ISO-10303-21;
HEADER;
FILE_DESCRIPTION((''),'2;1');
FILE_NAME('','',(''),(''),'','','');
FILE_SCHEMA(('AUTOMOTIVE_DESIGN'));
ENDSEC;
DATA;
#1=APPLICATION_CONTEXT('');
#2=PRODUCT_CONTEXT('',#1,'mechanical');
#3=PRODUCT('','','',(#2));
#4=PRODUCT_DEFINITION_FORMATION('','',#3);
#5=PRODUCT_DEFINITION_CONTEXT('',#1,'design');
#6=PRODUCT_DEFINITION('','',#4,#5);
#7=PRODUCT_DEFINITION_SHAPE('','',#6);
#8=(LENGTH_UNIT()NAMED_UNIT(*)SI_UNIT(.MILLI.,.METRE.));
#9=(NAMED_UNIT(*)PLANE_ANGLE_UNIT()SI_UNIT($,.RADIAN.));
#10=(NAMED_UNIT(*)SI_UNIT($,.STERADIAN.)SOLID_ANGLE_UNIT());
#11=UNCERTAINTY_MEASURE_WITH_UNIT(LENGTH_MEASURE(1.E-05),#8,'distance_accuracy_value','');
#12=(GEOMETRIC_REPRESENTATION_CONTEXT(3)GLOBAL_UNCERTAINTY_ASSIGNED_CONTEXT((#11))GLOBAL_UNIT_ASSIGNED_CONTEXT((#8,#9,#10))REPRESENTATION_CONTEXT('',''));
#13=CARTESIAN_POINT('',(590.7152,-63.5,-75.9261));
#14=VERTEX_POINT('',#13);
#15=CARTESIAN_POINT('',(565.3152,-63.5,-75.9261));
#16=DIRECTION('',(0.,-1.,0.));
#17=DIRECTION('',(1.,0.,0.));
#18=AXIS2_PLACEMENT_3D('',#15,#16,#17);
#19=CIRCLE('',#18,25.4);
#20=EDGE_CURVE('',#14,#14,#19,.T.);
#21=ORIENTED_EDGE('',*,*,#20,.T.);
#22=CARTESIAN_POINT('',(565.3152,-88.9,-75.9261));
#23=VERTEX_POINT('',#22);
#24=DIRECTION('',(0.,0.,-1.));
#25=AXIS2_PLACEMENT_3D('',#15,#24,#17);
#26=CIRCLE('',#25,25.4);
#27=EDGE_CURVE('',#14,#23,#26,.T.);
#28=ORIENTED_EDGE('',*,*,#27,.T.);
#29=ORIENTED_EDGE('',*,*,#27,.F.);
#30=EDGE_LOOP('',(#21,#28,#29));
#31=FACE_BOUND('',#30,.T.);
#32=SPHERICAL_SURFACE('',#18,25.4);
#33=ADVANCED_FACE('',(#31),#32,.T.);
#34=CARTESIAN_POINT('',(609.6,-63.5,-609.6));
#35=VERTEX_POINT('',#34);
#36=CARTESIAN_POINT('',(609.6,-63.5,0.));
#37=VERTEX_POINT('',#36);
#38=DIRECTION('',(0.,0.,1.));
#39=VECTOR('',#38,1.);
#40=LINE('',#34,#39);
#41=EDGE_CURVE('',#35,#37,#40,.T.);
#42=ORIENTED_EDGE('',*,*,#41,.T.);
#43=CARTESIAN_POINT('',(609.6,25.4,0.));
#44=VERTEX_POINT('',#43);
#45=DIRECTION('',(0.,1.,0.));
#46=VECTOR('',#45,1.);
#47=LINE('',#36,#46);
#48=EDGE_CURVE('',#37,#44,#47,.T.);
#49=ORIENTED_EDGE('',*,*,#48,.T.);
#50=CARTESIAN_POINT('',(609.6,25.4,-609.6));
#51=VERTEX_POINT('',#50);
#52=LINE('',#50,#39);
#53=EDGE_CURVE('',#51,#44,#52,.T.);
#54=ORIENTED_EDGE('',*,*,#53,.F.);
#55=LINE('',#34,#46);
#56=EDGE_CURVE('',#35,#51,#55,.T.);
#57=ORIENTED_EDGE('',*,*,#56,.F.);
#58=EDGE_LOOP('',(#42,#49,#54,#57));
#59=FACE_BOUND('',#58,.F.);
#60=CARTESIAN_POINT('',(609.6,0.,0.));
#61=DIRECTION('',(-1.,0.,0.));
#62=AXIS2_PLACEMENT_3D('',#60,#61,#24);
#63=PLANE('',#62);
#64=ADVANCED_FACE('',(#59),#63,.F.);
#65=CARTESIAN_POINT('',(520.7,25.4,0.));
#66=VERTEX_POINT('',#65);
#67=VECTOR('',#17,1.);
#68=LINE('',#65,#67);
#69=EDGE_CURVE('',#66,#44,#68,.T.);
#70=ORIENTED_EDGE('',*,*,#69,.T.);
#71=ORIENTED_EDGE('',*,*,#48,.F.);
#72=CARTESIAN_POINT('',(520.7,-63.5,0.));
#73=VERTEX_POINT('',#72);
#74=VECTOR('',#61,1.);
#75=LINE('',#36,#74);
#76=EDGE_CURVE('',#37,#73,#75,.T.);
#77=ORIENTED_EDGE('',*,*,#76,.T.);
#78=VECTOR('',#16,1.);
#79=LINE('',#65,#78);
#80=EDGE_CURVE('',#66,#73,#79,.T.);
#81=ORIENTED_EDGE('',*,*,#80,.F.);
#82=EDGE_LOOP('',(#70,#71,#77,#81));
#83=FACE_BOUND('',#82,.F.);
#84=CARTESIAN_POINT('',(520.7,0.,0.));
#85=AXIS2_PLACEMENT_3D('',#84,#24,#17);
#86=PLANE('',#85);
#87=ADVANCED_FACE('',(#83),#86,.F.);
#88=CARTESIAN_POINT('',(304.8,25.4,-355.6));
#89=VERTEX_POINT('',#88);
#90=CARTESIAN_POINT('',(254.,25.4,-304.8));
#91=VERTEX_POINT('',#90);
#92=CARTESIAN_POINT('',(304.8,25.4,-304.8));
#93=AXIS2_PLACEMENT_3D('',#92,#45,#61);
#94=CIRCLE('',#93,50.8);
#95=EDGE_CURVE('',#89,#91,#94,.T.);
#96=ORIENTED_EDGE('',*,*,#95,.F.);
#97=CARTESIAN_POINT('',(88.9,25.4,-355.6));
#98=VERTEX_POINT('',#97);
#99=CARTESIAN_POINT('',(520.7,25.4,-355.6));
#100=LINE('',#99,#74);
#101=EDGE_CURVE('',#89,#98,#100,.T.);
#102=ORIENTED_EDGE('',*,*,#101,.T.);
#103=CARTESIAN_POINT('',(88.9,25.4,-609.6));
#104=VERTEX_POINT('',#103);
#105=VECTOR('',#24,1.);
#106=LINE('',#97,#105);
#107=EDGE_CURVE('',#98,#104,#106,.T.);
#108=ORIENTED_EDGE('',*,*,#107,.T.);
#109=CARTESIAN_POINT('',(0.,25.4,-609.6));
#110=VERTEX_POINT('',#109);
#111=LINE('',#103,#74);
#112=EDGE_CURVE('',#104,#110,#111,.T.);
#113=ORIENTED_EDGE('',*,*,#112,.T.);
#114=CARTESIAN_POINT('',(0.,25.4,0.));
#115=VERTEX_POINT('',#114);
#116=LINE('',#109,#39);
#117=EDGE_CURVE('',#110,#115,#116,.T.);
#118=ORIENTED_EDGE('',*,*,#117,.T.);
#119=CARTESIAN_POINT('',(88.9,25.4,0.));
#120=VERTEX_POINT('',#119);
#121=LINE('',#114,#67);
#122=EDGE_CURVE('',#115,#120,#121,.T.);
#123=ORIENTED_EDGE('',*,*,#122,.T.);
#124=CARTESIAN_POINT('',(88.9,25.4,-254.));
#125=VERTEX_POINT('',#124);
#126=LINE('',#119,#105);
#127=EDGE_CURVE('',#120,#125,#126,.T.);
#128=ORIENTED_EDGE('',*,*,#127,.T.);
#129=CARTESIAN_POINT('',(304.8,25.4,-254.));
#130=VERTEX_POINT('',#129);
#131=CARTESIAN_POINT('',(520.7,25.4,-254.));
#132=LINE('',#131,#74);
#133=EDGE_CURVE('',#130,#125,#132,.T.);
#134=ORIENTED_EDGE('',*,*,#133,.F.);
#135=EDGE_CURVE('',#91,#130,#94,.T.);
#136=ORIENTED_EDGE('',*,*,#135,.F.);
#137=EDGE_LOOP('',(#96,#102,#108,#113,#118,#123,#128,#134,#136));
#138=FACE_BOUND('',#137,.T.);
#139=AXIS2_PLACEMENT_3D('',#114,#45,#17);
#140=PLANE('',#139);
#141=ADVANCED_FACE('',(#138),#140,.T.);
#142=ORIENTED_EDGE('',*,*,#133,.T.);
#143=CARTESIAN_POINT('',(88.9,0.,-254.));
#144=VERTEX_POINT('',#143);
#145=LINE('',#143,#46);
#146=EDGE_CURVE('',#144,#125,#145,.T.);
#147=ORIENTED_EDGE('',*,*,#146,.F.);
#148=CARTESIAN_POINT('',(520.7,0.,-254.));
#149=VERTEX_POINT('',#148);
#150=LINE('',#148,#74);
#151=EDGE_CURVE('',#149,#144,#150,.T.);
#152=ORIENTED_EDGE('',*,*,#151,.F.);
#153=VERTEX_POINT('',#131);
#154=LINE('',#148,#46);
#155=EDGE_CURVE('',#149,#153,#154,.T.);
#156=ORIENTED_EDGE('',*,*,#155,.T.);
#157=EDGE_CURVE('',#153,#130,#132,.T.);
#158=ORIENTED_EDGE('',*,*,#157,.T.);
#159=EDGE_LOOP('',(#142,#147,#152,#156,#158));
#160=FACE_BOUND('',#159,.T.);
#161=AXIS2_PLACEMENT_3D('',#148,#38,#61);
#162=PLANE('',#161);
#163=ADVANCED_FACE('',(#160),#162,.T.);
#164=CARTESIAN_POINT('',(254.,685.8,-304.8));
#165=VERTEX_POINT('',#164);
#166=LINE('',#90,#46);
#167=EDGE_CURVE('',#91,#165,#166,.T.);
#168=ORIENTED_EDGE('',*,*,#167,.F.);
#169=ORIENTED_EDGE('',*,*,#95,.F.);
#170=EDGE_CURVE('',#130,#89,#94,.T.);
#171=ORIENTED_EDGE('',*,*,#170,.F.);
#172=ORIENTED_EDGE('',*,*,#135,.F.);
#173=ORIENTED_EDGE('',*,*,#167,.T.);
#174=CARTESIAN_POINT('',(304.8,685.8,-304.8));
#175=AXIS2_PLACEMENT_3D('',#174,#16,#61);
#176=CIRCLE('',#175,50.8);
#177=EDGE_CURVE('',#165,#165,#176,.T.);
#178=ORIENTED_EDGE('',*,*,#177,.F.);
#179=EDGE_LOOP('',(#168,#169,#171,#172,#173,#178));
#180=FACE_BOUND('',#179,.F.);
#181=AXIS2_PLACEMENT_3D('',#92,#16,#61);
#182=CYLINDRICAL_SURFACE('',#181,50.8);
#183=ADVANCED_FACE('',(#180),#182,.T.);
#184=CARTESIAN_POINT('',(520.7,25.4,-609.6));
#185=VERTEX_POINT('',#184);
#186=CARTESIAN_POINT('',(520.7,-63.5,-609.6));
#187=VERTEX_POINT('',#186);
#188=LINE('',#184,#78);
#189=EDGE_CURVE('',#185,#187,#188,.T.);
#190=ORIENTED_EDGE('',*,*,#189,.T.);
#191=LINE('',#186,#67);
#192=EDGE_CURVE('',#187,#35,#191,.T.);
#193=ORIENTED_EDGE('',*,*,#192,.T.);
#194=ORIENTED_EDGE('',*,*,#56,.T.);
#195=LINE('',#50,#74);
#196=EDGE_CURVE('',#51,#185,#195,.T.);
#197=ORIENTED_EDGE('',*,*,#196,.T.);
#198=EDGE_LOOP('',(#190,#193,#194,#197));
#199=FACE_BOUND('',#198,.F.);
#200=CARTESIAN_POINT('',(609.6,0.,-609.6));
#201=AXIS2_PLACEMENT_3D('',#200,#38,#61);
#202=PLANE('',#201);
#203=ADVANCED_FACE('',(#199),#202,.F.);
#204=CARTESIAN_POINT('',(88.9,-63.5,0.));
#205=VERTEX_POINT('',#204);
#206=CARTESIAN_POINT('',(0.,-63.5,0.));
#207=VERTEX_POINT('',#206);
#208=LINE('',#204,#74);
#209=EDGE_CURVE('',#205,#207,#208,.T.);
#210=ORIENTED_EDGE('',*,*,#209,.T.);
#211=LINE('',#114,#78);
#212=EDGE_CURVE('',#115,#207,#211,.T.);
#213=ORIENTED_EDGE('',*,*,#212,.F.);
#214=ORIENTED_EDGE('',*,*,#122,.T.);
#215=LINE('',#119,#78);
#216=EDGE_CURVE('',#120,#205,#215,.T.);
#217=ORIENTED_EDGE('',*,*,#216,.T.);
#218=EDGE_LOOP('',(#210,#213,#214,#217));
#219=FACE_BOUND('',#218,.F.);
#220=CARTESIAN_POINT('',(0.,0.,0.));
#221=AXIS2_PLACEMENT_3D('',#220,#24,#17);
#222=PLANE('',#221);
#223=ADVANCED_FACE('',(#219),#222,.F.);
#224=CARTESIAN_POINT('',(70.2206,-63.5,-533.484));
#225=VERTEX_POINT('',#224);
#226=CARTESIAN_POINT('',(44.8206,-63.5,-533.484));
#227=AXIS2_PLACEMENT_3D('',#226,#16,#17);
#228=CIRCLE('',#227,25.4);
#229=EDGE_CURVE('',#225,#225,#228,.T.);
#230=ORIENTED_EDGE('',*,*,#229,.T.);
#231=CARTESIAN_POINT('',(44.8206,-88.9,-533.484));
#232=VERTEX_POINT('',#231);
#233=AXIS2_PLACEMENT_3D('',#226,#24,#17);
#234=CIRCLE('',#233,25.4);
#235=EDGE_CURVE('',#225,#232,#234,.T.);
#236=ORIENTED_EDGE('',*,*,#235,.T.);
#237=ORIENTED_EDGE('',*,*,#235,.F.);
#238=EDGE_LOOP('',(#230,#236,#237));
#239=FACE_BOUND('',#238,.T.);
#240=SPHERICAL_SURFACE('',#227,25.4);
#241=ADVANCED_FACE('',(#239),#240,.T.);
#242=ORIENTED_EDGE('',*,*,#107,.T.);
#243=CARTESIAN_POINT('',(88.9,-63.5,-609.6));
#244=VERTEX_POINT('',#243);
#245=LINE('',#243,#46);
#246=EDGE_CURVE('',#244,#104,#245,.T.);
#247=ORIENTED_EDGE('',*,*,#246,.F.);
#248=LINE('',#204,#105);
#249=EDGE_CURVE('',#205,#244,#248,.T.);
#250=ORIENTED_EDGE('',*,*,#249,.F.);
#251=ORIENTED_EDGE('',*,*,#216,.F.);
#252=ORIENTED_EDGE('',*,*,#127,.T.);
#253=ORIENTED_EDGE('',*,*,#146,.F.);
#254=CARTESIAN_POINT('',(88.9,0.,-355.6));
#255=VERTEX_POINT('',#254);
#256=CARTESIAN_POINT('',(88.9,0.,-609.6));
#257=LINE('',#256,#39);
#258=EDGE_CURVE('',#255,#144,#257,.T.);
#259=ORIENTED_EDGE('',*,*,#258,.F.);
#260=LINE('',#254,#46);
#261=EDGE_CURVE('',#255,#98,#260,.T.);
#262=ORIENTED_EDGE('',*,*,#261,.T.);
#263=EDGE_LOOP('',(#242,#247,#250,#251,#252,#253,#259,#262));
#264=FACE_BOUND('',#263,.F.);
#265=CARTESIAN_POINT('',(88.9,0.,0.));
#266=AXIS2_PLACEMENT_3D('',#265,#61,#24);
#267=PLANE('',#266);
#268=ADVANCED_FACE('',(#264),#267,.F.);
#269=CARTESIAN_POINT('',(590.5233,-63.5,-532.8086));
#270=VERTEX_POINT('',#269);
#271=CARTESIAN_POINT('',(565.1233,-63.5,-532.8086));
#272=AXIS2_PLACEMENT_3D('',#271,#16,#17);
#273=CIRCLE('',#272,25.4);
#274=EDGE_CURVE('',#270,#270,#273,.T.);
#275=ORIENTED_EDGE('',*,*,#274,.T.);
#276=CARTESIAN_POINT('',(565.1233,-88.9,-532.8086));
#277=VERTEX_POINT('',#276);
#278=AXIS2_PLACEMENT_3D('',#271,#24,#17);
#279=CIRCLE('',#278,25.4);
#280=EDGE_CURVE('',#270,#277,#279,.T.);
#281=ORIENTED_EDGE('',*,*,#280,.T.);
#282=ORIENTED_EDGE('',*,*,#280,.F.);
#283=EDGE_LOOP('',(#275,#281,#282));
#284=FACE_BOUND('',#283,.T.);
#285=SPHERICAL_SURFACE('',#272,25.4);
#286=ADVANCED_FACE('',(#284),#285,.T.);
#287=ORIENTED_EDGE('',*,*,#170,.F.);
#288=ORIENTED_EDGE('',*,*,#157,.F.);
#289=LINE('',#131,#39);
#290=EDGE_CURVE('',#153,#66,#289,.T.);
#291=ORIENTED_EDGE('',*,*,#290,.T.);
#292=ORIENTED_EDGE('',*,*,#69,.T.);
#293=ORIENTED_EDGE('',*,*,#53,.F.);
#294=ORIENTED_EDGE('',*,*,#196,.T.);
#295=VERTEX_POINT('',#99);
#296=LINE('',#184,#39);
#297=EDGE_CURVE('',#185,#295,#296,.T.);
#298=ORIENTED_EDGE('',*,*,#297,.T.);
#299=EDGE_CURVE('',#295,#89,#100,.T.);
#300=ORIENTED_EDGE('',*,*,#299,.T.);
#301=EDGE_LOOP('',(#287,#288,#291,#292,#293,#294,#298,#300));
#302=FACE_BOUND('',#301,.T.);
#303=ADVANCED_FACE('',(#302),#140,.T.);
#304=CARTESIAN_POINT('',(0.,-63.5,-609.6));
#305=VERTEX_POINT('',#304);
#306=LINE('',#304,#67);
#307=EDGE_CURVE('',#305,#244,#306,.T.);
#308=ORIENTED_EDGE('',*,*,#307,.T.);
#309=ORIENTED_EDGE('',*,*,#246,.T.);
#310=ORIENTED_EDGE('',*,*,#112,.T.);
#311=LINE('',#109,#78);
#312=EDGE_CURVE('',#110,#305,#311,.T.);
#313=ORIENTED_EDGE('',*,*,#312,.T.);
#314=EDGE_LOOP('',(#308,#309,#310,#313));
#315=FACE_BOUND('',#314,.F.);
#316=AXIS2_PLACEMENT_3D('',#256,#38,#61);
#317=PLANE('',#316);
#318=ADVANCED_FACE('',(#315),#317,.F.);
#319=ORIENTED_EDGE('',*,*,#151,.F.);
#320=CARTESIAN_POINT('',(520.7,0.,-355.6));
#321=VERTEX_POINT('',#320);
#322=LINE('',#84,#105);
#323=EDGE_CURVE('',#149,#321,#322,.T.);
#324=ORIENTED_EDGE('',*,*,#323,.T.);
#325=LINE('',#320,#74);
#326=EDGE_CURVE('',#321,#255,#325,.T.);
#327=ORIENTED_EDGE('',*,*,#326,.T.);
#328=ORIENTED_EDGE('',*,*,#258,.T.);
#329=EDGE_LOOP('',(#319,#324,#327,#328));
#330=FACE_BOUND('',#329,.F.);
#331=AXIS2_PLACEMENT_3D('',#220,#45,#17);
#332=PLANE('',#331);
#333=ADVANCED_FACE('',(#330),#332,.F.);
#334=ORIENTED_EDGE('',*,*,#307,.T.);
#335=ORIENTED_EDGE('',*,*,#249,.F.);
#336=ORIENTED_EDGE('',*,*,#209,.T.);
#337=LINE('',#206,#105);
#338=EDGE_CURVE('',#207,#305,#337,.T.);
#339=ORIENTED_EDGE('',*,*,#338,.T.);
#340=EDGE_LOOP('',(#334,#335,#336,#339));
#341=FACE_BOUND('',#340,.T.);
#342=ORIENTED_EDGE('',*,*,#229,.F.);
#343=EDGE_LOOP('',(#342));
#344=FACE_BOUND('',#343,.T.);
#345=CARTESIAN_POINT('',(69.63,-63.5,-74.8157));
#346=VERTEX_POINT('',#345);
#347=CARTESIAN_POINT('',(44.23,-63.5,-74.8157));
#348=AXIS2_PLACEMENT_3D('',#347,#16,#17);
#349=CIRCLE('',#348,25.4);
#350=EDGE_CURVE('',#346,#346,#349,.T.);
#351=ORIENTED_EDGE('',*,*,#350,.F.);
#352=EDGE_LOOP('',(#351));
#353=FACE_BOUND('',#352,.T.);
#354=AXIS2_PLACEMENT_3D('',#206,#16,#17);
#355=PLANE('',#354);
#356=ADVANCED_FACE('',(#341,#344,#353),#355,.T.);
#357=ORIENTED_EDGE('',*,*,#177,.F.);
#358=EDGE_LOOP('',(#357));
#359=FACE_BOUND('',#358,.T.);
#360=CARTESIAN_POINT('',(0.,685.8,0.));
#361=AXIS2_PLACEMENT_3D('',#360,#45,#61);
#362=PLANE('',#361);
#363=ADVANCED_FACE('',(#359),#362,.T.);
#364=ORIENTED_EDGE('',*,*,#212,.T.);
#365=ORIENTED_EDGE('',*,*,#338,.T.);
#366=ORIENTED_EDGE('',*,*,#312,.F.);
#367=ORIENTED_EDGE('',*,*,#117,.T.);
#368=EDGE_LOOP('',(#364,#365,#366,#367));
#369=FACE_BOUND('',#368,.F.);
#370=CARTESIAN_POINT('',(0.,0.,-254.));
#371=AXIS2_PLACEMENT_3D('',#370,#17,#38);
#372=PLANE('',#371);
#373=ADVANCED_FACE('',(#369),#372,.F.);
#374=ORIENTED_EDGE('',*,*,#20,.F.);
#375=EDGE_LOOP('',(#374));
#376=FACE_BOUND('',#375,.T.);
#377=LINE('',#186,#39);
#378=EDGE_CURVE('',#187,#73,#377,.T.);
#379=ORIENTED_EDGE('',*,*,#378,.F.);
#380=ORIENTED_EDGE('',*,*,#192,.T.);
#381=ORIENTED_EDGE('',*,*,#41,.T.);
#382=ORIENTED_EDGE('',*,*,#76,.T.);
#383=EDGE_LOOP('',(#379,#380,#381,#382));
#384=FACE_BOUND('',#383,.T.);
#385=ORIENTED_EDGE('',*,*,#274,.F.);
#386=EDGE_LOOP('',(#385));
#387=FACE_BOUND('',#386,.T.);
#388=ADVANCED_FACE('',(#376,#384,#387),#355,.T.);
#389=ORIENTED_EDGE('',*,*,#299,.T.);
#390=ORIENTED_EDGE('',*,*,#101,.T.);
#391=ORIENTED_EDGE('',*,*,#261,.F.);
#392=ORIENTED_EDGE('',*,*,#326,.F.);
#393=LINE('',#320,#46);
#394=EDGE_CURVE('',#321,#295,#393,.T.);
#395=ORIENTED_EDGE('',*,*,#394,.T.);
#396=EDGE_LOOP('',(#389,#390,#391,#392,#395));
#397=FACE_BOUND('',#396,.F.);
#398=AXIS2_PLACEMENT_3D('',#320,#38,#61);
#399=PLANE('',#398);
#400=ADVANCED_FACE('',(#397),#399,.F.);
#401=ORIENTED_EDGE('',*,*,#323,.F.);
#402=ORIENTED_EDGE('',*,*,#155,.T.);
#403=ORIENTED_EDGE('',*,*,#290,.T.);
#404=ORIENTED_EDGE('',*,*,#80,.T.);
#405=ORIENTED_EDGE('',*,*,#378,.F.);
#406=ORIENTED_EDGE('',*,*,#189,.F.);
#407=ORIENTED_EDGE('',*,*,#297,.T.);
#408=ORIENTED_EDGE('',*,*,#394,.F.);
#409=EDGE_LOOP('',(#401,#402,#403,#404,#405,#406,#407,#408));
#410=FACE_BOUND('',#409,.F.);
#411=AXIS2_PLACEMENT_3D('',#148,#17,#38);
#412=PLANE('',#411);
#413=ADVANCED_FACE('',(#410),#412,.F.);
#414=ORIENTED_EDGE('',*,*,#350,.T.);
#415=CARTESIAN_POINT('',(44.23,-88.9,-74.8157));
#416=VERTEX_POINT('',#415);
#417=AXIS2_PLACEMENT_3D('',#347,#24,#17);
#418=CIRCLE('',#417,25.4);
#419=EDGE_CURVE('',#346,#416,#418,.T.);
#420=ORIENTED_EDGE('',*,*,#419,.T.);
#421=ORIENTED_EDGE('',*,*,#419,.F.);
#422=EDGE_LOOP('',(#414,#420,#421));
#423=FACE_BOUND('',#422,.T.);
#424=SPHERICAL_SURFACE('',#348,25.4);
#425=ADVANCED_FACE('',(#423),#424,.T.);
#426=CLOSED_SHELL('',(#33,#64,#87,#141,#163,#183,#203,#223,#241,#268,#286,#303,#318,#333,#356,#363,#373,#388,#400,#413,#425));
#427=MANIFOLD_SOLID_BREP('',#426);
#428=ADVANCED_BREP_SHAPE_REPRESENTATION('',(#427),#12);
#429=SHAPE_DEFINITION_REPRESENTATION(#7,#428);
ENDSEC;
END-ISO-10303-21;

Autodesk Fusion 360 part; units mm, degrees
sketch "Sketch1" plane through (0, 0, 0) normal (0, 1, 0) x (1, 0, 0)
  line L0 (609.6, 0) -> (609.6, 609.6)
  line L1 (0, 609.6) -> (0, 0)
  line L2 (0, 0) -> (88.9, 0)
  line L3 (88.9, 609.6) -> (0, 609.6)
  line L4 (0, 609.6) -> (0, 0)
  line L5 (609.6, 609.6) -> (520.7, 609.6)
  line L6 (520.7, -460.804) -> (609.6, -460.804)
  line L7 (609.6, -460.804) -> (609.6, 609.6)
  line L8 (609.6, 304.8) -> (609.6, 355.6)
  line L9 (520.7, 355.6) -> (88.9, 355.6)
  line L10 (0, 355.6) -> (0, 304.8)
  line L11 (609.6, 304.8) -> (609.6, 254)
  line L12 (520.7, 254) -> (88.9, 254)
  line L13 (0, 254) -> (0, 304.8)
  line L14 (88.9, 0) -> (88.9, 254)
  line L15 (88.9, 355.6) -> (88.9, 609.6)
  line L16 (520.7, 609.6) -> (520.7, 355.6)
  line L17 (520.7, 254) -> (520.7, 0)
  line L18 (0, 0) -> (88.9, 0)
  line L19 (520.7, 0) -> (609.6, 0)
  line L20 (609.6, 609.6) -> (520.7, 609.6)
  line L21 (88.9, 609.6) -> (0, 609.6)
  dimension "d1" = 609.6
  dimension "d2" = 609.6
  dimension "d3" = 88.9
  dimension "d4" = 88.9
  dimension "d5" = 50.8
  dimension "d6" = 50.8
extrude "Extrude1" add sketch "Sketch1" along normal blind 25.4
sketch "Sketch2" plane through (0, 0, 0) normal (0, -1, 0) x (1, 0, 0)
  line L0 (609.6, -609.6) -> (609.6, 0)
  line L1 (609.6, 0) -> (520.7, 0)
  line L2 (520.7, 0) -> (520.7, -254)
  line L3 (520.7, -254) -> (88.9, -254)
  line L4 (88.9, -254) -> (88.9, 0)
  line L5 (88.9, 0) -> (0, 0)
  line L6 (0, 0) -> (0, -609.6)
  line L7 (0, -609.6) -> (88.9, -609.6)
  line L8 (88.9, -609.6) -> (88.9, -355.6)
  line L9 (88.9, -355.6) -> (520.7, -355.6)
  line L10 (520.7, -355.6) -> (520.7, -609.6)
  line L11 (520.7, -609.6) -> (609.6, -609.6)
  line L12 (0, 0) -> (88.9, 0)
  line L13 (88.9, 0) -> (88.9, -609.6)
  line L14 (88.9, -609.6) -> (0, -609.6)
  line L15 (0, -609.6) -> (0, 0)
  line L16 (520.7, 0) -> (609.6, 0)
  line L17 (609.6, 0) -> (609.6, -609.6)
  line L18 (609.6, -609.6) -> (520.7, -609.6)
  line L19 (520.7, -609.6) -> (520.7, 0)
extrude "Extrude2" add sketch "Sketch2" along normal blind 63.5 contours L0 L1 L2 L10 L11 L16 L17 L18 L19 | L4 L5 L6 L7 L8 L12 L13 L14 L15
sketch "Sketch3" plane through (0, 25.4, 0) normal (0, 1, 0) x (-1, 0, 0)
  line L0 (-609.6, 0) -> (-609.6, -609.6)
  line L1 (-609.6, -609.6) -> (-520.7, -609.6)
  line L2 (-520.7, -609.6) -> (-520.7, -355.6)
  line L3 (-520.7, -355.6) -> (-88.9, -355.6)
  line L4 (-88.9, -355.6) -> (-88.9, -609.6)
  line L5 (-88.9, -609.6) -> (0, -609.6)
  line L6 (0, -609.6) -> (0, 0)
  line L7 (0, 0) -> (-88.9, 0)
  line L8 (-88.9, 0) -> (-88.9, -254)
  line L9 (-88.9, -254) -> (-520.7, -254)
  line L10 (-520.7, -254) -> (-520.7, 0)
  line L11 (-520.7, 0) -> (-609.6, 0)
  circle A0 centre (-304.8, -304.8) radius 50.8
extrude "Extrude3" add sketch "Sketch3" along normal blind 762 contours A0
extrude "Extrude4" cut 1 faces at (289.3545, 787.4, -299.9767) along direction (0, -1, 0) blind 101.6
sketch "Sketch4" plane through (0, -63.5, 0) normal (0, -1, 0) x (1, 0, 0)
  line L0 (0, -609.6) -> (88.9, -609.6)
  line L1 (88.9, -609.6) -> (88.9, 0)
  line L2 (88.9, 0) -> (0, 0)
  line L3 (0, 0) -> (0, -609.6)
  line L4 (44.45, 0) -> (44.45, -609.6)
  line L5 (44.45, 0) -> (44.45, -11.9009)
  line L6 (44.45, 0) -> (44.45, -76.2)
  line L7 (44.45, -609.6) -> (44.45, -533.4)
  dimension "d15" = 76.2
  dimension "d16" = 76.2
sphere "SpherePrimitive1" add diameter 50.8 placed x (1, 0, 0) y (0, 0, 1) z (0, -1, 0) at (44.23, -63.5, -74.8157)
sphere "SpherePrimitive2" add diameter 50.8 placed x (1, 0, 0) y (0, 0, 1) z (0, -1, 0) at (44.8206, -63.5, -533.484)
sketch "Sketch7" plane through (0, -63.5, 0) normal (0, -1, 0) x (1, 0, 0)
  line L0 (520.7, -609.6) -> (609.6, -609.6)
  line L1 (609.6, -609.6) -> (609.6, 0)
  line L2 (609.6, 0) -> (520.7, 0)
  line L3 (520.7, 0) -> (520.7, -609.6)
  line L4 (565.15, 0) -> (565.15, -609.6)
  line L5 (565.15, 0) -> (565.15, -76.2)
  line L6 (565.15, -609.6) -> (565.15, -533.4)
  dimension "d19" = 76.2
  dimension "d20" = 76.2
sphere "SpherePrimitive3" add diameter 50.8 placed x (1, 0, 0) y (0, 0, 1) z (0, -1, 0) at (565.3152, -63.5, -75.9261)
sphere "SpherePrimitive4" add diameter 50.8 placed x (1, 0, 0) y (0, 0, 1) z (0, -1, 0) at (565.1233, -63.5, -532.8086)
